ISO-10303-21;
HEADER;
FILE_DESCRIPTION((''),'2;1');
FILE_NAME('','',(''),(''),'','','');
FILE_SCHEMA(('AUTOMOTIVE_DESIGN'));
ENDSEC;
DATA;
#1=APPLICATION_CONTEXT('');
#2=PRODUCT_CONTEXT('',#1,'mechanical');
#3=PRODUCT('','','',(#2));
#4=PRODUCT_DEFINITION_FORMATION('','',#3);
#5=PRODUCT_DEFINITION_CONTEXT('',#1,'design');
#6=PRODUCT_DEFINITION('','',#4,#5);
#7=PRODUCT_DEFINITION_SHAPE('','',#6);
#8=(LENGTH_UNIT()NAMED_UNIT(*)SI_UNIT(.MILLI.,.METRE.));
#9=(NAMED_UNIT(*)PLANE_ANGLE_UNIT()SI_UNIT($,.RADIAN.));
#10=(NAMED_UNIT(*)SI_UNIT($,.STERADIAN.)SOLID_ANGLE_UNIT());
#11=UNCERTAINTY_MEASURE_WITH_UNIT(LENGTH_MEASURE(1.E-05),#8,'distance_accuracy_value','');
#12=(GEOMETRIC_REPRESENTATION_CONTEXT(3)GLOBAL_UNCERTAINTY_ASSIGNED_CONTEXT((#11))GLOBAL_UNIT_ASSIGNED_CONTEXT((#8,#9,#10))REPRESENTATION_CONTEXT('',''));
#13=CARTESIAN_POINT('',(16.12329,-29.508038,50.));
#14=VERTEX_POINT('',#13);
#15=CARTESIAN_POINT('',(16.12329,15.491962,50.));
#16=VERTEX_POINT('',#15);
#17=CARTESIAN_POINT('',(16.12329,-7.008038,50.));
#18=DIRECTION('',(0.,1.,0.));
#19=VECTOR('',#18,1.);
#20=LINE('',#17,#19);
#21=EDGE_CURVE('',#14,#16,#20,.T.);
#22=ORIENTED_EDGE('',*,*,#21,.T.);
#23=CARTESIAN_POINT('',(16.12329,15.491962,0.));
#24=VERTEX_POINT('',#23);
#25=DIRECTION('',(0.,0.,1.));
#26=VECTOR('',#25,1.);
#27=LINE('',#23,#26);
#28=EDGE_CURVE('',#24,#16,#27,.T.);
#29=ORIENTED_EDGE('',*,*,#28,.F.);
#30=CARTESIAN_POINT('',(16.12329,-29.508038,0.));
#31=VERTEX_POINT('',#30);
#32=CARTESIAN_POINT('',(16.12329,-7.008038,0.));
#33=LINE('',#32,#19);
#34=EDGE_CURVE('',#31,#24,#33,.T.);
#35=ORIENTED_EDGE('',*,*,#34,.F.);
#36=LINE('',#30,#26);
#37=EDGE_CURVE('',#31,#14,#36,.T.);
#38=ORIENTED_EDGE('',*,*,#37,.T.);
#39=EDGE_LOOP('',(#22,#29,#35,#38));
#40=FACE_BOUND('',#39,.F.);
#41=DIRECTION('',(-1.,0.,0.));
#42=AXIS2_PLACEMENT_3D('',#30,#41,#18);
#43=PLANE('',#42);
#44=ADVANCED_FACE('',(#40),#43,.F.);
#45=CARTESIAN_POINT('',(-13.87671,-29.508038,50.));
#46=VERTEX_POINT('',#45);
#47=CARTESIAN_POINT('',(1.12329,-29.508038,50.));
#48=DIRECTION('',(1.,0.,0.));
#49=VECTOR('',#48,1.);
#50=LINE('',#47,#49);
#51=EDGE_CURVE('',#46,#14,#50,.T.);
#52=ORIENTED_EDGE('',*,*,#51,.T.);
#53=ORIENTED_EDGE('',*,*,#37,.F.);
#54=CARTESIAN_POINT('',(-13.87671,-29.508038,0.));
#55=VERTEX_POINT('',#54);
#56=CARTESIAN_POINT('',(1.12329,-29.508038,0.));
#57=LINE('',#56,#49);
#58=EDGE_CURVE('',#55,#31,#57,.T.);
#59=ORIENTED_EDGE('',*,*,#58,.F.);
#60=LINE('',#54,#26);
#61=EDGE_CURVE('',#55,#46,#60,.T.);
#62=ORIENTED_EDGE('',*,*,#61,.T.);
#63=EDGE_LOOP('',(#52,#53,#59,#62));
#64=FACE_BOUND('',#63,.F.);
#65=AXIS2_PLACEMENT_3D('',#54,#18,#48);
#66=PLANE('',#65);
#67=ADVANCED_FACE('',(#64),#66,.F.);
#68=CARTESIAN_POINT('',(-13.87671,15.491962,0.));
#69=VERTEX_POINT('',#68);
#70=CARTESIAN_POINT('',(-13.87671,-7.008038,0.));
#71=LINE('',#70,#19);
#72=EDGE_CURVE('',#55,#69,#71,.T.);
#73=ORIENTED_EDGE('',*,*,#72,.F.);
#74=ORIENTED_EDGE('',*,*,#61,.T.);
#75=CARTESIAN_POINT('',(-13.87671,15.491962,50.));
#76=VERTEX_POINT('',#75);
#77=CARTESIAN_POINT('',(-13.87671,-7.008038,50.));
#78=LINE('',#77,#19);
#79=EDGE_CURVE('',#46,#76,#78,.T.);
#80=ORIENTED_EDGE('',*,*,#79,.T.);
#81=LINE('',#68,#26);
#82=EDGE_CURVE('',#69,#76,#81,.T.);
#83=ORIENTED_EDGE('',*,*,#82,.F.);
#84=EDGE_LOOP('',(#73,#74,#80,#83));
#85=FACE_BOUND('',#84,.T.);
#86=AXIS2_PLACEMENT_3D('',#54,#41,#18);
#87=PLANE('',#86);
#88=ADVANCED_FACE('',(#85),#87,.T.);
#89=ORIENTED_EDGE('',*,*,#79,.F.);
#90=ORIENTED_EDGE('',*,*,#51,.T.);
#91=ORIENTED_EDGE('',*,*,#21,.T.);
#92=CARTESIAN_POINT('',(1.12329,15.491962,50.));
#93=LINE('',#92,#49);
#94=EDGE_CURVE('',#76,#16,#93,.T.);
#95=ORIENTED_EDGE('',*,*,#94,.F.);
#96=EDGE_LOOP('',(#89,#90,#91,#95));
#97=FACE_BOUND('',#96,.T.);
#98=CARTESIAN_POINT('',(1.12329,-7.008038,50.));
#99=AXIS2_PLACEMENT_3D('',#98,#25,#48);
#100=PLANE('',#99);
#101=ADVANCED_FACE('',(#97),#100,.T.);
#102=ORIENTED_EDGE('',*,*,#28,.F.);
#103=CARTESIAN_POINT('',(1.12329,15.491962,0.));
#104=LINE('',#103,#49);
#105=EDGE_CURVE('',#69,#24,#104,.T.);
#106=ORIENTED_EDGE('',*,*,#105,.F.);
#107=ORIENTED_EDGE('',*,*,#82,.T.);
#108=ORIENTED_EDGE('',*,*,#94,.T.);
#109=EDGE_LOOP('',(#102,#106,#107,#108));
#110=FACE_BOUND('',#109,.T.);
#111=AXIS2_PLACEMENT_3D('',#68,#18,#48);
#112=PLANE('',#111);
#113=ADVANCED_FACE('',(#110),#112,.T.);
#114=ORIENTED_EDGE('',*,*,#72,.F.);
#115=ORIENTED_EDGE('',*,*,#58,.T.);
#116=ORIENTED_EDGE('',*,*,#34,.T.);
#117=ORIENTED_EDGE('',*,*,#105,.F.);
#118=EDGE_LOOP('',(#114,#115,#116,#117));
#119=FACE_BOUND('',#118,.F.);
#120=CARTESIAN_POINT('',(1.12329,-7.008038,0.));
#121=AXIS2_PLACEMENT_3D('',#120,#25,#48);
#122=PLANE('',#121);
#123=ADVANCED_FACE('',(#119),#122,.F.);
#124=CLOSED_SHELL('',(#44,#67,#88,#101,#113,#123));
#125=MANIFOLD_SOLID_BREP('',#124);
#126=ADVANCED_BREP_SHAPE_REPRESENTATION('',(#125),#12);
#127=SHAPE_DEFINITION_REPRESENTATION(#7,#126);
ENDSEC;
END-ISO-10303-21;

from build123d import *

# Parameters (mm, degrees)
SKETCH_W  = 30
SKETCH_H  = 45
PAD_DEPTH = 50


with BuildPart() as part:
    # Sketch → Pad (new body)
    with BuildSketch(Plane.XY):
        with Locations((1.12329, -7.008038)):
            Rectangle(SKETCH_W, SKETCH_H)
    extrude(amount=PAD_DEPTH)


solid = part.part
